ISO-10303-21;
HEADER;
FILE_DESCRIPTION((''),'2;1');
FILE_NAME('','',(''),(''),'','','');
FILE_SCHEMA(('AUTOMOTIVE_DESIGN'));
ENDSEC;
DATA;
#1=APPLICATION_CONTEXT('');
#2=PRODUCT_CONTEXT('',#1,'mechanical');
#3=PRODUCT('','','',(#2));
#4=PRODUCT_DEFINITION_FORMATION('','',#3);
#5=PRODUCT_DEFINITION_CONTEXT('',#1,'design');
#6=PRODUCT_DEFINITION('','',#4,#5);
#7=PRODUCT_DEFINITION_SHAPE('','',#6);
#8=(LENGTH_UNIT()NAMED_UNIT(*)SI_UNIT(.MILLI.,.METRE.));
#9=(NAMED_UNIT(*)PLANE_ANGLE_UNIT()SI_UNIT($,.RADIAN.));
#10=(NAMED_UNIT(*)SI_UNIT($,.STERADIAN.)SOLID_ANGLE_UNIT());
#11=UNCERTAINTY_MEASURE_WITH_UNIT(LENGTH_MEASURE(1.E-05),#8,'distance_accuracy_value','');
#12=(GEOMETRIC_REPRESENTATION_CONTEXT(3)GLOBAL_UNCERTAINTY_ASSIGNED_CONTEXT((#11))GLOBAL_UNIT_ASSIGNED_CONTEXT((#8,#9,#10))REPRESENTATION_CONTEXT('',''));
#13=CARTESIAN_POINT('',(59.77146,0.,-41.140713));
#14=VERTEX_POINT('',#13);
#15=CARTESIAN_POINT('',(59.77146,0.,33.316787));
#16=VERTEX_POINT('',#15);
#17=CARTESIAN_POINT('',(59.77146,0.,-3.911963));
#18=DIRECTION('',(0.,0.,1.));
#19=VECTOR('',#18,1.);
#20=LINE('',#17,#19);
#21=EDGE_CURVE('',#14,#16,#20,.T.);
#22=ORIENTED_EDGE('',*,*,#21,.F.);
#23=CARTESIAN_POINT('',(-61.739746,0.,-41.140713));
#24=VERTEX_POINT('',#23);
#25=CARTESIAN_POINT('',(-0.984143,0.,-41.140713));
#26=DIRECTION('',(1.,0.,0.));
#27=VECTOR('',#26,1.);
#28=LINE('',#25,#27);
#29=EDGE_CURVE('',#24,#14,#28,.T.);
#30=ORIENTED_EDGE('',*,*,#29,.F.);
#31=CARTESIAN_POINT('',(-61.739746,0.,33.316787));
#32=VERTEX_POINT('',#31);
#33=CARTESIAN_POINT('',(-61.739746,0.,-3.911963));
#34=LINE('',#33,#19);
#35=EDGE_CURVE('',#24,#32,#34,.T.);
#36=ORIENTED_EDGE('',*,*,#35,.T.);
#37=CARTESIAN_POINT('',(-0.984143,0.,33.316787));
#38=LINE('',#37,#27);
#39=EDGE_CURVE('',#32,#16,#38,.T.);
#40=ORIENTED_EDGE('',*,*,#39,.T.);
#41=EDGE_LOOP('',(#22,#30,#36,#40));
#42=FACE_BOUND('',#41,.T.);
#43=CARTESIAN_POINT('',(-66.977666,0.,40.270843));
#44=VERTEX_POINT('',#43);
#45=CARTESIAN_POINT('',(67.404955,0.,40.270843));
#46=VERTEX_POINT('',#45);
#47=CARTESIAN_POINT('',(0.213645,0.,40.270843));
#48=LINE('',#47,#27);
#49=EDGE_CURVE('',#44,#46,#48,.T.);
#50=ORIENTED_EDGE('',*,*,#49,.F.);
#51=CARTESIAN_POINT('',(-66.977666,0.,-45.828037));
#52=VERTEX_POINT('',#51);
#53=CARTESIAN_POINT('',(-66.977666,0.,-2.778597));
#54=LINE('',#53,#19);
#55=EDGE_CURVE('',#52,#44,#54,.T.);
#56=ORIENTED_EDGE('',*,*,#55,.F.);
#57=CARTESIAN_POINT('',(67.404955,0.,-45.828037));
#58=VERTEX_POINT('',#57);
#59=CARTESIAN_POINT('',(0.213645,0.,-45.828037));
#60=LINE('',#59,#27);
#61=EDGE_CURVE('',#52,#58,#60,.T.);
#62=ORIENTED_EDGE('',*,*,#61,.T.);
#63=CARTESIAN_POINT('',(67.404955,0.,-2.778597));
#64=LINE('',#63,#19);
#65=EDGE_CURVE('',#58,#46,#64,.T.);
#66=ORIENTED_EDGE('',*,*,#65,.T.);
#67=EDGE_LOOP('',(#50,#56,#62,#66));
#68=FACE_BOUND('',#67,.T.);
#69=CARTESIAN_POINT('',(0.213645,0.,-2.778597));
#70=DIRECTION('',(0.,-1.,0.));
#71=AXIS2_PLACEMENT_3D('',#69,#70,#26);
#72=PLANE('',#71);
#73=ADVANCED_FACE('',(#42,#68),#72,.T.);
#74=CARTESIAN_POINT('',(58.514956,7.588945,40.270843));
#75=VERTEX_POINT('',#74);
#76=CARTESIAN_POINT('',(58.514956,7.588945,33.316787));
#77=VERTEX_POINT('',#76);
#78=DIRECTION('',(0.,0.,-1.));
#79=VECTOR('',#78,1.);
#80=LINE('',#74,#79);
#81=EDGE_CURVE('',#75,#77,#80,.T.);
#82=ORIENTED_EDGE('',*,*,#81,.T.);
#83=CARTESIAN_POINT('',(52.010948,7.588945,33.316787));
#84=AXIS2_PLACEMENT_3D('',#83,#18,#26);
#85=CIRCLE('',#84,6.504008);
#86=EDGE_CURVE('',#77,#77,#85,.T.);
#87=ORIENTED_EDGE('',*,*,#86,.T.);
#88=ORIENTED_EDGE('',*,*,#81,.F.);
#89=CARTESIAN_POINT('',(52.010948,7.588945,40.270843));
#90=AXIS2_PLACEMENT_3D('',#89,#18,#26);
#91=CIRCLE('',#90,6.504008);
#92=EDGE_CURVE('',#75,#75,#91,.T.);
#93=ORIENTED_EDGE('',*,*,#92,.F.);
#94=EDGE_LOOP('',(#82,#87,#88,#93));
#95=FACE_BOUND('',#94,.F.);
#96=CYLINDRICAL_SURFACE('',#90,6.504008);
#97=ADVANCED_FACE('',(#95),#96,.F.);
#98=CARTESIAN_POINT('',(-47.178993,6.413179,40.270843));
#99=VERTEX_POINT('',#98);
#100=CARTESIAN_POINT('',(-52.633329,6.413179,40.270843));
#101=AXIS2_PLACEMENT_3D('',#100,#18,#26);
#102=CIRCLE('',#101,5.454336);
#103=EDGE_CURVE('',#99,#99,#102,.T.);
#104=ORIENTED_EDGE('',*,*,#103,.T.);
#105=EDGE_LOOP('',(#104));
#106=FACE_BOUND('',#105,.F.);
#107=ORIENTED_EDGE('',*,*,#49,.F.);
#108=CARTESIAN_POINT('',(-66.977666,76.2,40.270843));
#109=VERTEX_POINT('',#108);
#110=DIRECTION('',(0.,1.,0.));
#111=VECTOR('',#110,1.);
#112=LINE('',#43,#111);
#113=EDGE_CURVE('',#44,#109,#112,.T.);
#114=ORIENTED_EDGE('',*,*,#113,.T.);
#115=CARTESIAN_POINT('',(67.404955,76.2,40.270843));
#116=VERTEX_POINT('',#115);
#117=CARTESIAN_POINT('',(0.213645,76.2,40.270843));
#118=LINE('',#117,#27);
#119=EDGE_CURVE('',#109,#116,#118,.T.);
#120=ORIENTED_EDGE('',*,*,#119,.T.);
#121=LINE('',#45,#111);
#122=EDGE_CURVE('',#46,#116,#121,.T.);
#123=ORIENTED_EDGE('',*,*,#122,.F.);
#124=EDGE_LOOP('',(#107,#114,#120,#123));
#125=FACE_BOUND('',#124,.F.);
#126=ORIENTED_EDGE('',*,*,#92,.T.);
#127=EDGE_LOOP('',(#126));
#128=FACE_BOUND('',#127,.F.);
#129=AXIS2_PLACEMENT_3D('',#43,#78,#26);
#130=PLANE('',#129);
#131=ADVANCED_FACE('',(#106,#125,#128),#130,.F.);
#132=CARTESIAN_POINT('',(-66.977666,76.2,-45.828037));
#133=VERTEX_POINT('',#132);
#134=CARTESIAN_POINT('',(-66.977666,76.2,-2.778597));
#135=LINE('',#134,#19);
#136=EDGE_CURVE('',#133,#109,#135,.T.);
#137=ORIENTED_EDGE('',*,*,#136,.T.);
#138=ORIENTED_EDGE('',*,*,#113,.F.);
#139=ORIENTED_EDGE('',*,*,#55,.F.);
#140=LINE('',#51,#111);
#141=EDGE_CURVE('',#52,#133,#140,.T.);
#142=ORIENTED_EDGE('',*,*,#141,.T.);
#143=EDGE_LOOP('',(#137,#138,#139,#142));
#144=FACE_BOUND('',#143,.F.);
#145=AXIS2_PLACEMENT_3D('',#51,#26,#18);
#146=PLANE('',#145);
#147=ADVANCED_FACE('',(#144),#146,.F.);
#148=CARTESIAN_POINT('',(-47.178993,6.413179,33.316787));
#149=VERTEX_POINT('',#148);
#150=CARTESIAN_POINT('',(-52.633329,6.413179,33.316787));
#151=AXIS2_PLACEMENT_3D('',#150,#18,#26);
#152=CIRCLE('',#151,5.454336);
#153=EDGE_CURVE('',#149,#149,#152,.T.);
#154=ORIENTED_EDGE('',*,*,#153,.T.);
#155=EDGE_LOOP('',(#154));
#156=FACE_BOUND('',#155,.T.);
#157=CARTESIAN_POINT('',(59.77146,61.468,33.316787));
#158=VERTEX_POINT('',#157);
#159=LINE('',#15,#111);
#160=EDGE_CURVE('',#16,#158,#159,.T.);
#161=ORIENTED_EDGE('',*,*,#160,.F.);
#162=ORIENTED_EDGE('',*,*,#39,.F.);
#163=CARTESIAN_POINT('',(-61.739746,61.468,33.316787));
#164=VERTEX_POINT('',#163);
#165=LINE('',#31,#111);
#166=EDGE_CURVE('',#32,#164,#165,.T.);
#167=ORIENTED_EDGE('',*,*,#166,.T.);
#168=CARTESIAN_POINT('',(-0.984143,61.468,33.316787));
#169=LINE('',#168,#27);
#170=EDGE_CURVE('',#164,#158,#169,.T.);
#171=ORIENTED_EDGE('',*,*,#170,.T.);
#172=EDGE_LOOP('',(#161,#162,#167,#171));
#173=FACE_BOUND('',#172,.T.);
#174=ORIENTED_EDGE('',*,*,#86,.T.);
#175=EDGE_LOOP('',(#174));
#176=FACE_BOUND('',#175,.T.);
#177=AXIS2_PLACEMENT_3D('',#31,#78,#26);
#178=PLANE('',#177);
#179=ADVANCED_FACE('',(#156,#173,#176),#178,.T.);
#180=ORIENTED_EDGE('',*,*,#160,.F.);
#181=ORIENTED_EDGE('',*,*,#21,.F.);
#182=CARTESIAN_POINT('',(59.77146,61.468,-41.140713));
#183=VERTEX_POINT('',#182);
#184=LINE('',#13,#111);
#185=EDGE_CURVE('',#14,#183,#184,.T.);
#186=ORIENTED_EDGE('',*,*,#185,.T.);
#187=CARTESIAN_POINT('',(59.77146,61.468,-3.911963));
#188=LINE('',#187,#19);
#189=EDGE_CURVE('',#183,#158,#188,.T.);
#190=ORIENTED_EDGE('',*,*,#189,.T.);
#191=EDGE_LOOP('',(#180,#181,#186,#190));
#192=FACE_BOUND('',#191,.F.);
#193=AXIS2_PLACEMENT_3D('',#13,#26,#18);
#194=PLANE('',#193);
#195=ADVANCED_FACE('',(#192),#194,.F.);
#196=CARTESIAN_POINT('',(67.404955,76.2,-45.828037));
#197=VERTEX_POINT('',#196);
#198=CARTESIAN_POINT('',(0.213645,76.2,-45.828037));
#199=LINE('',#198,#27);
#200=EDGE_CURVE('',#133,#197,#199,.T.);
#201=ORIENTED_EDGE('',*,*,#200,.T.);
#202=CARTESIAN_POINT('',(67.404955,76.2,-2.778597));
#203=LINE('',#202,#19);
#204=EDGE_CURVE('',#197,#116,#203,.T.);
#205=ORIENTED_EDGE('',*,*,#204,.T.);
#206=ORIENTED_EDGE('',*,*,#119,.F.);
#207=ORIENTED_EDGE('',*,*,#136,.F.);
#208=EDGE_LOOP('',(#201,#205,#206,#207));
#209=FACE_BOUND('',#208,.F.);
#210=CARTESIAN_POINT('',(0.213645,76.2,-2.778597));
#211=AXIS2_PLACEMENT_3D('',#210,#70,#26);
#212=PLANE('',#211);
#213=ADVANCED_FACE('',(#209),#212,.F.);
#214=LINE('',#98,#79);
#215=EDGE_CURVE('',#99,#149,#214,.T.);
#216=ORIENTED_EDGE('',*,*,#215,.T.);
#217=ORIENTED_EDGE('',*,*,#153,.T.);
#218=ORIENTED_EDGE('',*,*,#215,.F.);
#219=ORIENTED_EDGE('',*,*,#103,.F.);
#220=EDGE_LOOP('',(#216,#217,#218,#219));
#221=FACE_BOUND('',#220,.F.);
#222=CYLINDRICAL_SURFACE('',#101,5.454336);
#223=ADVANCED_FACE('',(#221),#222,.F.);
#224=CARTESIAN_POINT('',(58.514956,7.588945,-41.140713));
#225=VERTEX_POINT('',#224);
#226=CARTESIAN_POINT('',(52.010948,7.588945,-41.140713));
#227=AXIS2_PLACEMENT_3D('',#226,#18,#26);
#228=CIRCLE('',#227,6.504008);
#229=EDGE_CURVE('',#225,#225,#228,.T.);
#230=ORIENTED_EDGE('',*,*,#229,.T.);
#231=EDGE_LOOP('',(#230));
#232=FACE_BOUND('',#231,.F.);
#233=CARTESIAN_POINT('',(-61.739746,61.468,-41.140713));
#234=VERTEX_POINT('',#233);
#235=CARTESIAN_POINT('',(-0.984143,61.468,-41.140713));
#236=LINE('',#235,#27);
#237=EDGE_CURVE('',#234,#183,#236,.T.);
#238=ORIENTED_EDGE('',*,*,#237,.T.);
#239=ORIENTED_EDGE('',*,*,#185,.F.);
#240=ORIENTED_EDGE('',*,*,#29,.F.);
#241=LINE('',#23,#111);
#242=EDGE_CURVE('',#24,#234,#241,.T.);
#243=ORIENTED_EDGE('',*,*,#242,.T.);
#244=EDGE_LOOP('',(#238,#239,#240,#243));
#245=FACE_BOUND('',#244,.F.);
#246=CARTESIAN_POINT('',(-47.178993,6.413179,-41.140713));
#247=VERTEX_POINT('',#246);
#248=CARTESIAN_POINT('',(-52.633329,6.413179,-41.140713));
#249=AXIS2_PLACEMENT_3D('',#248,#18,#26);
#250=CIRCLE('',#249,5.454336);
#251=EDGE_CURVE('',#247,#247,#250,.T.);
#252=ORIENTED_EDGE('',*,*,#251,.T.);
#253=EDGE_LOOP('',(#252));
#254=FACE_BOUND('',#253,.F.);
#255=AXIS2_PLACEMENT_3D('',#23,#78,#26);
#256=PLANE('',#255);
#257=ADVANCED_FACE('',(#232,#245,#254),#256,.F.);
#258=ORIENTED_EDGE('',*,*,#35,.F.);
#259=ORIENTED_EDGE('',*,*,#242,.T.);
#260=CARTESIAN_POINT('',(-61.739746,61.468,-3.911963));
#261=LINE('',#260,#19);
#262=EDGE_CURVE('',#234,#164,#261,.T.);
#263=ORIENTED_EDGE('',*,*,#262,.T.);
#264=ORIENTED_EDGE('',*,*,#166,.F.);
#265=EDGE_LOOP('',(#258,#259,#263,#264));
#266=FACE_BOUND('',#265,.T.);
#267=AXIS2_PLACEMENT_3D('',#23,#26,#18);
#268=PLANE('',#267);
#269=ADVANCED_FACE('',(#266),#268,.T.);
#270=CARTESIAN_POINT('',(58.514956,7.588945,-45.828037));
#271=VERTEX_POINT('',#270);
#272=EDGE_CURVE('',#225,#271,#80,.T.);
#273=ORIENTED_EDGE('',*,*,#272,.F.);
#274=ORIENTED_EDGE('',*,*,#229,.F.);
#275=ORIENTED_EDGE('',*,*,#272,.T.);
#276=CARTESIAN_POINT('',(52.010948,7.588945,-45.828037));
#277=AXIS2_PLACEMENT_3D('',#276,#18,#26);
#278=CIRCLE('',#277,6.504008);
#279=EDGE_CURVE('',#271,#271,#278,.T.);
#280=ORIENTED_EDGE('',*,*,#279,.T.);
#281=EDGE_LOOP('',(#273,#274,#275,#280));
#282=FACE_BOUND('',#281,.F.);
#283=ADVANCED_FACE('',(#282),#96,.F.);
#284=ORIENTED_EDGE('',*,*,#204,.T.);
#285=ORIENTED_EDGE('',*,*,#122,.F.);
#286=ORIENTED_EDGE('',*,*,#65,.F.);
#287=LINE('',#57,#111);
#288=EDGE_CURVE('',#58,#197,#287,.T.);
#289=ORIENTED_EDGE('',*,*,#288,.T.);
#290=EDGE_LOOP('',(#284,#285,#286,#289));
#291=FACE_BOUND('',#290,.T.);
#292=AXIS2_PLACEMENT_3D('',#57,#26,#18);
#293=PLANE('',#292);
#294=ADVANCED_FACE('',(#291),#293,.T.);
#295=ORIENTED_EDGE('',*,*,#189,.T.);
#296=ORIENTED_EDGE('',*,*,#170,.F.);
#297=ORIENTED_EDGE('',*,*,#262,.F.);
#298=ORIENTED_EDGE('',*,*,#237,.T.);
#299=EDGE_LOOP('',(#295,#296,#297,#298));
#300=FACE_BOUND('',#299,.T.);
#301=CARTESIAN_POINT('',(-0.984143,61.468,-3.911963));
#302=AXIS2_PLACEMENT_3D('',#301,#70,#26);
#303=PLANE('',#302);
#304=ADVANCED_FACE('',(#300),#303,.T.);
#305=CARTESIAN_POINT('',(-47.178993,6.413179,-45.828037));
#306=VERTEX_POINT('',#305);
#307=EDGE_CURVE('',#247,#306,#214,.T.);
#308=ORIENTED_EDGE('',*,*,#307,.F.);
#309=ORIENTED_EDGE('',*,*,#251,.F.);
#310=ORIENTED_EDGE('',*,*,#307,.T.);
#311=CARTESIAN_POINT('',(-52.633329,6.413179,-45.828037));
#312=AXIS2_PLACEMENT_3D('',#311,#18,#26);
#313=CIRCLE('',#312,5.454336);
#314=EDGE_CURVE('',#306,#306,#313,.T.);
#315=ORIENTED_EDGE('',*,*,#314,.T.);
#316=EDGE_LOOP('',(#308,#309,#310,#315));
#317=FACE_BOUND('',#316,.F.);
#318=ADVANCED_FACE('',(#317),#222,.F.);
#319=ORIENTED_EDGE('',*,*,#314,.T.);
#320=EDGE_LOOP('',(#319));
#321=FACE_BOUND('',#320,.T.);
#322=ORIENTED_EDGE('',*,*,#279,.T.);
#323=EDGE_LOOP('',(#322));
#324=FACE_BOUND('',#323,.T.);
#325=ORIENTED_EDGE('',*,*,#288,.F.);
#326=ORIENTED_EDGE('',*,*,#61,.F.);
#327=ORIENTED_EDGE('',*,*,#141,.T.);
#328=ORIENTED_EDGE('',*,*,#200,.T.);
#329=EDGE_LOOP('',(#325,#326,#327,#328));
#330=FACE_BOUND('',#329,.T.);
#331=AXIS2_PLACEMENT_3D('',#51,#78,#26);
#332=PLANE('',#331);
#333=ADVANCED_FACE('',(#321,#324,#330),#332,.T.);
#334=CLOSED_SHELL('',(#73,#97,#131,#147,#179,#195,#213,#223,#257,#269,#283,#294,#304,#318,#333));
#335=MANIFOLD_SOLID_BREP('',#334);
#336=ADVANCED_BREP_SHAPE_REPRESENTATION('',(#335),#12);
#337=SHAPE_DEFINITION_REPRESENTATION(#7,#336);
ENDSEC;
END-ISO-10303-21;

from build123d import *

# Parameters (mm, degrees)
F0_W     = 134.382621
F0_H     = 86.09888
F1_DEPTH = 76.2
F2_W     = 121.511206
F2_H     = 74.4575
F3_DEPTH = 61.468
F4_R     = 5.454336
F4_R_2   = 6.504008
F5_DEPTH = 177.8


with BuildPart() as f1:
    # F0 (on Front) → F1 (new body)
    with BuildSketch(Plane.XZ):
        with Locations((0.213645, -2.778597)):
            Rectangle(F0_W, F0_H)
    extrude(amount=-F1_DEPTH)

    # F2 (on face) → F3 (cut)
    with BuildSketch(Plane.XZ):
        with Locations((-0.984143, -3.911963)):
            Rectangle(F2_W, F2_H)
    extrude(amount=-F3_DEPTH, mode=Mode.SUBTRACT)

    # F4 (on face) → F5 (cut)
    with BuildSketch(Plane.XY.offset(40.270843)):
        with Locations((-52.633329, 6.413179)):
            Circle(F4_R)
        with Locations((52.010948, 7.588945)):
            Circle(F4_R_2)
    extrude(amount=-F5_DEPTH, mode=Mode.SUBTRACT)


solid = f1.part
